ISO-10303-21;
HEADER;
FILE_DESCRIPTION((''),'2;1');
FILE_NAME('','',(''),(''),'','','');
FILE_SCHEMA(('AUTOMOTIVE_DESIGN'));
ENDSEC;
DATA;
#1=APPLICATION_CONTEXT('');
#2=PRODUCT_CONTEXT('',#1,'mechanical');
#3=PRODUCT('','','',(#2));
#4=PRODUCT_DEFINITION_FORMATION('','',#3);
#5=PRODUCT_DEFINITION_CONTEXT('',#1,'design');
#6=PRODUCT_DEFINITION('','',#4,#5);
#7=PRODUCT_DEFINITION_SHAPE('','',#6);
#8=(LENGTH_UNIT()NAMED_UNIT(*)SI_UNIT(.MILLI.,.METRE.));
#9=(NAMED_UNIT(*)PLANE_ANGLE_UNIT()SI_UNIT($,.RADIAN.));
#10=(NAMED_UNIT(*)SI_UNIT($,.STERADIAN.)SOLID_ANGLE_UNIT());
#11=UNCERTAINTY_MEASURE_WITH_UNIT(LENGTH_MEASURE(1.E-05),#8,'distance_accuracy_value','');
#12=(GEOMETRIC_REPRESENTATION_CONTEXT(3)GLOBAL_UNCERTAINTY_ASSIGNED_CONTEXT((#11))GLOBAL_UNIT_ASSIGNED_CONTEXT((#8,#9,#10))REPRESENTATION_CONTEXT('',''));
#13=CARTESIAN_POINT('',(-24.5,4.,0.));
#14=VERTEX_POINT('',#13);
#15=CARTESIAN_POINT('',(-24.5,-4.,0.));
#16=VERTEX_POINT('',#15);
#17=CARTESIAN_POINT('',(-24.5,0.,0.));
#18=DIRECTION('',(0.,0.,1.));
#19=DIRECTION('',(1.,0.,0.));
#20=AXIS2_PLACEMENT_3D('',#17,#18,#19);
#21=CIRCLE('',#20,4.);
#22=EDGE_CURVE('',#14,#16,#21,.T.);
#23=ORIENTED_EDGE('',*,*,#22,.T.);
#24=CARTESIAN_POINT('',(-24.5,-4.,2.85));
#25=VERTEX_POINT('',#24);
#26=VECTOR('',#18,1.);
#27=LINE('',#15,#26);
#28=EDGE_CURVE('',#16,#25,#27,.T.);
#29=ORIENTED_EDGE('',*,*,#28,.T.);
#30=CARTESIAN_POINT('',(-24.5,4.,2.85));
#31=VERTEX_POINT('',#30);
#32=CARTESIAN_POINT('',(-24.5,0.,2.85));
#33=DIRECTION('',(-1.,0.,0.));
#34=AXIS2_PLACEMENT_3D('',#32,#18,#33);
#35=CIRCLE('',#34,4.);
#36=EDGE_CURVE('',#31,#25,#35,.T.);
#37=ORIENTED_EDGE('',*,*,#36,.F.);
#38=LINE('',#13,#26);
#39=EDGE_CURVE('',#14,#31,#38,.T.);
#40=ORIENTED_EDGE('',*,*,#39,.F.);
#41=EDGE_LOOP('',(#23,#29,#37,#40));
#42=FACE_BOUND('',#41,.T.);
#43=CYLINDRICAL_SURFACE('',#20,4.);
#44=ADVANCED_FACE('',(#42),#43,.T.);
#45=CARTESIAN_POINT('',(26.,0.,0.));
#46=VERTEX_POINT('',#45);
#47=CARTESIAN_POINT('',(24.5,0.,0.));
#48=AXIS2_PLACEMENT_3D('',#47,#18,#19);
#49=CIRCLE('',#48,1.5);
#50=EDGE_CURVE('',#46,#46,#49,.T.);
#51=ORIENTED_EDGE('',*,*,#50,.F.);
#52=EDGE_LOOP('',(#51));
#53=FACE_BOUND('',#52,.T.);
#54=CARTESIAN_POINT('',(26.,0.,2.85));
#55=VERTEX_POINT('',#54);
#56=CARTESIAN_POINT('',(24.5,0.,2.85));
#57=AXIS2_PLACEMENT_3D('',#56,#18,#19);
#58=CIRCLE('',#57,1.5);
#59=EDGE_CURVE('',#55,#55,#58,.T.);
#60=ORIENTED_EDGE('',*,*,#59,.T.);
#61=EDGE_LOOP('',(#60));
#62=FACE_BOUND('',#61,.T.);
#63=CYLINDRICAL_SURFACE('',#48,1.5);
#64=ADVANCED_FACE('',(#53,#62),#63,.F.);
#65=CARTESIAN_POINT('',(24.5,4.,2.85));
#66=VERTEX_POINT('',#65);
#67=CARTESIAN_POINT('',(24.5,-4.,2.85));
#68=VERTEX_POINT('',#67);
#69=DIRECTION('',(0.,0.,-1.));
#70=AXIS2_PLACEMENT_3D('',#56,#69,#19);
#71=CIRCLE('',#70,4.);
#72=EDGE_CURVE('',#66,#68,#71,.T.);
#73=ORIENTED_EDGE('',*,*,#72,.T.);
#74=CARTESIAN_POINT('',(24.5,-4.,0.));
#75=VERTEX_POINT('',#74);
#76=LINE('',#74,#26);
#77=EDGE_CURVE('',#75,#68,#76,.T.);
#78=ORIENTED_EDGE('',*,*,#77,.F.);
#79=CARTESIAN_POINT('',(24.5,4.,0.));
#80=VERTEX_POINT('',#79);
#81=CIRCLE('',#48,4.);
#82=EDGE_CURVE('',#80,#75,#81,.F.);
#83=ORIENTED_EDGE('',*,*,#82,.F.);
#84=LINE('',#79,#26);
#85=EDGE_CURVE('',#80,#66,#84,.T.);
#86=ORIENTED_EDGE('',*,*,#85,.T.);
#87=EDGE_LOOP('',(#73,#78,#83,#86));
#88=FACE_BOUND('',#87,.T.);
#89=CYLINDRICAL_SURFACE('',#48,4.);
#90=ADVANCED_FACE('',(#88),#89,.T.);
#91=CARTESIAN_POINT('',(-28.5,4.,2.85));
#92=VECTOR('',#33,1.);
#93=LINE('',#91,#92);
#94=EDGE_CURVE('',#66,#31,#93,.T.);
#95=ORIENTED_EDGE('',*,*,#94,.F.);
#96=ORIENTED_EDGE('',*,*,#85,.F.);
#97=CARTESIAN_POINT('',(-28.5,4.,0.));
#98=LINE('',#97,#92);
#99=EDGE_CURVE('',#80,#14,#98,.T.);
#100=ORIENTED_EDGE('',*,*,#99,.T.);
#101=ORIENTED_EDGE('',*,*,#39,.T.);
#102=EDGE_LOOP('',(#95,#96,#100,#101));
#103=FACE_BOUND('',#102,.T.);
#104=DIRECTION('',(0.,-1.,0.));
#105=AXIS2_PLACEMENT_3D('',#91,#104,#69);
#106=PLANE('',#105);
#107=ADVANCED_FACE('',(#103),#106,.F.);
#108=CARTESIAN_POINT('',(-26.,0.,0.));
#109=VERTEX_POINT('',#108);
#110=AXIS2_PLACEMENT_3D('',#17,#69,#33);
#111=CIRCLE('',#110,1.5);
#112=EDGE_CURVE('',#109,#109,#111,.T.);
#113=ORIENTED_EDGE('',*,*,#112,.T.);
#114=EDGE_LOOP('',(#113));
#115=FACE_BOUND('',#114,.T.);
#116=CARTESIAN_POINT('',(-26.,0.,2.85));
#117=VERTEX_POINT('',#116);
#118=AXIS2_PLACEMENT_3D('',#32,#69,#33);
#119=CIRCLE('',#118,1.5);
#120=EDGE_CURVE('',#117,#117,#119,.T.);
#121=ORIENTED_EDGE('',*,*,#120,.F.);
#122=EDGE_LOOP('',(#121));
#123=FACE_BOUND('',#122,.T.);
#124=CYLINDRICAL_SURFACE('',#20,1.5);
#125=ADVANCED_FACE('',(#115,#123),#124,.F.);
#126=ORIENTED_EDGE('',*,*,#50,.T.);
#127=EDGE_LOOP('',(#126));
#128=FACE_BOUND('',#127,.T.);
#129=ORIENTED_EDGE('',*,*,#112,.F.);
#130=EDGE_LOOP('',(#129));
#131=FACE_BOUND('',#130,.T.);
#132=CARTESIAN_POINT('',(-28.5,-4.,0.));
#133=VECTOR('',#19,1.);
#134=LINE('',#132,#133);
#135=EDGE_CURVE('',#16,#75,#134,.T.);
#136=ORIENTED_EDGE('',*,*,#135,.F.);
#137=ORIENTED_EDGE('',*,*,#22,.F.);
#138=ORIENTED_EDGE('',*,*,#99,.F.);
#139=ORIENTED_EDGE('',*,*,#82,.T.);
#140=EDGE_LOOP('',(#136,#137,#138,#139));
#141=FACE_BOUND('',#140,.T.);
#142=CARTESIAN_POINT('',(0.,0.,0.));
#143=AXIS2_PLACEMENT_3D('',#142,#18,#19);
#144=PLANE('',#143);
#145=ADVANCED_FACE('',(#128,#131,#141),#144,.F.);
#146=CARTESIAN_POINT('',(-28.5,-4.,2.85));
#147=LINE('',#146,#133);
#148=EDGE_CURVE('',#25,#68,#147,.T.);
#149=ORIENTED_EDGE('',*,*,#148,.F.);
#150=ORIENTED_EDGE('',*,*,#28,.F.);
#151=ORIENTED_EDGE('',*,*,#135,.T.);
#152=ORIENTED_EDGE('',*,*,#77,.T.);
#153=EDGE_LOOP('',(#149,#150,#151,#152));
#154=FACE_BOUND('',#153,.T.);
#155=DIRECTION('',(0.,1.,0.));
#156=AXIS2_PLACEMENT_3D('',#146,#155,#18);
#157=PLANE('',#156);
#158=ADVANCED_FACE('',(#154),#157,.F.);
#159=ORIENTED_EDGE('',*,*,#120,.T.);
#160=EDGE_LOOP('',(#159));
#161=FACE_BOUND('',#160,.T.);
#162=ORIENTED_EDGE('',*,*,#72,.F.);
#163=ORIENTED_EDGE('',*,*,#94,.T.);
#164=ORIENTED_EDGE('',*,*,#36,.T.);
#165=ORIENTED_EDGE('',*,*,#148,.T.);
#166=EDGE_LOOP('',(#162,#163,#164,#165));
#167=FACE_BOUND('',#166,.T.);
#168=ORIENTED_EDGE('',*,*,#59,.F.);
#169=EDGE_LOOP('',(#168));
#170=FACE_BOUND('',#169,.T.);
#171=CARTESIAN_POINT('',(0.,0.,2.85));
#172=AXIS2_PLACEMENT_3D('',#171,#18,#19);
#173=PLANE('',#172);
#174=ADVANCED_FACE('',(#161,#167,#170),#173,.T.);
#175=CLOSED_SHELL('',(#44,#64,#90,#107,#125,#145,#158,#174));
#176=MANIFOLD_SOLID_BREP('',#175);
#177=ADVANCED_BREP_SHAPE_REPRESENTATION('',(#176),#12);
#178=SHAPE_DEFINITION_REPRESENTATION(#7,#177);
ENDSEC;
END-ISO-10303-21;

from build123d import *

# Parameters (mm, degrees)
SKETCH1_W           = 57
SKETCH1_H           = 8
BOSS_EXTRUDE1_DEPTH = 2.85
CUT_EXTRUDE1_DEPTH  = 29.920105463
SKETCH3_R           = 1.5
CUT_EXTRUDE2_DEPTH  = 29.920105463


with BuildPart() as part:
    # Sketch1 → Boss-Extrude1 (new body)
    with BuildSketch(Plane.XY):
        Rectangle(SKETCH1_W, SKETCH1_H)
    extrude(amount=BOSS_EXTRUDE1_DEPTH)

    # Sketch2 → Cut-Extrude1 (cut, through all)
    with BuildSketch(Plane.XY.offset(2.85)):
        with BuildLine():
            Line((24.5, -4), (29.5, -4))
            Line((29.5, -4), (29.5, 4))
            Line((29.5, 4), (24.5, 4))
            ThreePointArc((24.5, 4), (28.5, 0), (24.5, -4))
        make_face()
    cut_extrude1 = extrude(amount=-CUT_EXTRUDE1_DEPTH, mode=Mode.SUBTRACT)

    # Sketch3 → Cut-Extrude2 (cut, through all)
    with BuildSketch(Plane.XY.offset(2.85)):
        with Locations((24.5, 0)):
            Circle(SKETCH3_R)
    cut_extrude2 = extrude(amount=-CUT_EXTRUDE2_DEPTH, mode=Mode.SUBTRACT)

    # Mirror1: Cut-Extrude1, Cut-Extrude2 across plane
    add(cut_extrude1.mirror(Plane(origin=(0, 0, 0), x_dir=(0, 0, 1), z_dir=(1, 0, 0))), mode=Mode.SUBTRACT)
    add(cut_extrude2.mirror(Plane(origin=(0, 0, 0), x_dir=(0, 0, 1), z_dir=(1, 0, 0))), mode=Mode.SUBTRACT)


solid = part.part
